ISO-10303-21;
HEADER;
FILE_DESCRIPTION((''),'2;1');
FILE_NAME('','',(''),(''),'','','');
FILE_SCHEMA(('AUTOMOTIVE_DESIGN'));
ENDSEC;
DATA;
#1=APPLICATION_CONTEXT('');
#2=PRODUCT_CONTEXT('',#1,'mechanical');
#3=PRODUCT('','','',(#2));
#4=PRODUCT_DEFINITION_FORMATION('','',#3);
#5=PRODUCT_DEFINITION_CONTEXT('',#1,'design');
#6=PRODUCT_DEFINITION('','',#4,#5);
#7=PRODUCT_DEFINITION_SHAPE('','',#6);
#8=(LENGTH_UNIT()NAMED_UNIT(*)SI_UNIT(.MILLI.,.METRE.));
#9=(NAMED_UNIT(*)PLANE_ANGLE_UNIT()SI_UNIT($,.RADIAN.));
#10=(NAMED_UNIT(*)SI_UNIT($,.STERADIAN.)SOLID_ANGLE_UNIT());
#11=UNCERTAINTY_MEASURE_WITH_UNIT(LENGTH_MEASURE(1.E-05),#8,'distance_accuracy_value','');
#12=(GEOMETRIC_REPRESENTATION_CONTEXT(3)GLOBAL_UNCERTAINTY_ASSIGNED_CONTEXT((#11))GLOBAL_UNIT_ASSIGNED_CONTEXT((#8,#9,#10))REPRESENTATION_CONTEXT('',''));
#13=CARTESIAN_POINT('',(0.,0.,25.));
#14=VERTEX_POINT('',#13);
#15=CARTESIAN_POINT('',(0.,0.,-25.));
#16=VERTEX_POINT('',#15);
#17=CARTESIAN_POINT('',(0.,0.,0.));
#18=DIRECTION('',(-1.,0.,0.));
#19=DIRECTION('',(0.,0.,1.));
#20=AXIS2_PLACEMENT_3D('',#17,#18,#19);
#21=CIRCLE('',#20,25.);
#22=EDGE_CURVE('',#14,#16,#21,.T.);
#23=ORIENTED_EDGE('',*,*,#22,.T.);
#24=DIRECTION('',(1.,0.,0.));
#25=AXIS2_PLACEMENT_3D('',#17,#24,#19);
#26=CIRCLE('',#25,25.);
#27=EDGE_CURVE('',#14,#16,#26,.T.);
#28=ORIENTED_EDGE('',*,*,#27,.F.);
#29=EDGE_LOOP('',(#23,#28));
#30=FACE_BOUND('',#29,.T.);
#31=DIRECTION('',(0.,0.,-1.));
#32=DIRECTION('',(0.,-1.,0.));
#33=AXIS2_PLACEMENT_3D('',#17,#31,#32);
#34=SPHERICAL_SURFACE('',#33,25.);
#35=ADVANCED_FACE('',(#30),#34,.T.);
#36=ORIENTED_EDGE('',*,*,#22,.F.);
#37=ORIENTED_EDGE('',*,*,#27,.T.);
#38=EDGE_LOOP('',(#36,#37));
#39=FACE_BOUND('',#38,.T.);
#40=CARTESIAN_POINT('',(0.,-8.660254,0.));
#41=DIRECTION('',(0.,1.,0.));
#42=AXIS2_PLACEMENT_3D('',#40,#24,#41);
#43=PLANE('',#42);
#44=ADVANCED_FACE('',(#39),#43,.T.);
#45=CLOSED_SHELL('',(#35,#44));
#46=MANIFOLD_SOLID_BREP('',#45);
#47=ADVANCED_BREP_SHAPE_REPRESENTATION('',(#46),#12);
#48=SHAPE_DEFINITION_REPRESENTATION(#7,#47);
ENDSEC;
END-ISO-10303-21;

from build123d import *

# Parameters (mm, degrees)
F1_ANGLE = 180


with BuildPart() as f1:
    # F0 (on Right) → F1 (revolve)
    with BuildSketch(Plane.YZ):
        with BuildLine():
            Line((0, -25), (0, 25))
            ThreePointArc((0, 25), (-25, 0), (0, -25))
        make_face()
    revolve(axis=Axis((0, 0, 0), (0, 0, -1)), revolution_arc=F1_ANGLE)


solid = f1.part
